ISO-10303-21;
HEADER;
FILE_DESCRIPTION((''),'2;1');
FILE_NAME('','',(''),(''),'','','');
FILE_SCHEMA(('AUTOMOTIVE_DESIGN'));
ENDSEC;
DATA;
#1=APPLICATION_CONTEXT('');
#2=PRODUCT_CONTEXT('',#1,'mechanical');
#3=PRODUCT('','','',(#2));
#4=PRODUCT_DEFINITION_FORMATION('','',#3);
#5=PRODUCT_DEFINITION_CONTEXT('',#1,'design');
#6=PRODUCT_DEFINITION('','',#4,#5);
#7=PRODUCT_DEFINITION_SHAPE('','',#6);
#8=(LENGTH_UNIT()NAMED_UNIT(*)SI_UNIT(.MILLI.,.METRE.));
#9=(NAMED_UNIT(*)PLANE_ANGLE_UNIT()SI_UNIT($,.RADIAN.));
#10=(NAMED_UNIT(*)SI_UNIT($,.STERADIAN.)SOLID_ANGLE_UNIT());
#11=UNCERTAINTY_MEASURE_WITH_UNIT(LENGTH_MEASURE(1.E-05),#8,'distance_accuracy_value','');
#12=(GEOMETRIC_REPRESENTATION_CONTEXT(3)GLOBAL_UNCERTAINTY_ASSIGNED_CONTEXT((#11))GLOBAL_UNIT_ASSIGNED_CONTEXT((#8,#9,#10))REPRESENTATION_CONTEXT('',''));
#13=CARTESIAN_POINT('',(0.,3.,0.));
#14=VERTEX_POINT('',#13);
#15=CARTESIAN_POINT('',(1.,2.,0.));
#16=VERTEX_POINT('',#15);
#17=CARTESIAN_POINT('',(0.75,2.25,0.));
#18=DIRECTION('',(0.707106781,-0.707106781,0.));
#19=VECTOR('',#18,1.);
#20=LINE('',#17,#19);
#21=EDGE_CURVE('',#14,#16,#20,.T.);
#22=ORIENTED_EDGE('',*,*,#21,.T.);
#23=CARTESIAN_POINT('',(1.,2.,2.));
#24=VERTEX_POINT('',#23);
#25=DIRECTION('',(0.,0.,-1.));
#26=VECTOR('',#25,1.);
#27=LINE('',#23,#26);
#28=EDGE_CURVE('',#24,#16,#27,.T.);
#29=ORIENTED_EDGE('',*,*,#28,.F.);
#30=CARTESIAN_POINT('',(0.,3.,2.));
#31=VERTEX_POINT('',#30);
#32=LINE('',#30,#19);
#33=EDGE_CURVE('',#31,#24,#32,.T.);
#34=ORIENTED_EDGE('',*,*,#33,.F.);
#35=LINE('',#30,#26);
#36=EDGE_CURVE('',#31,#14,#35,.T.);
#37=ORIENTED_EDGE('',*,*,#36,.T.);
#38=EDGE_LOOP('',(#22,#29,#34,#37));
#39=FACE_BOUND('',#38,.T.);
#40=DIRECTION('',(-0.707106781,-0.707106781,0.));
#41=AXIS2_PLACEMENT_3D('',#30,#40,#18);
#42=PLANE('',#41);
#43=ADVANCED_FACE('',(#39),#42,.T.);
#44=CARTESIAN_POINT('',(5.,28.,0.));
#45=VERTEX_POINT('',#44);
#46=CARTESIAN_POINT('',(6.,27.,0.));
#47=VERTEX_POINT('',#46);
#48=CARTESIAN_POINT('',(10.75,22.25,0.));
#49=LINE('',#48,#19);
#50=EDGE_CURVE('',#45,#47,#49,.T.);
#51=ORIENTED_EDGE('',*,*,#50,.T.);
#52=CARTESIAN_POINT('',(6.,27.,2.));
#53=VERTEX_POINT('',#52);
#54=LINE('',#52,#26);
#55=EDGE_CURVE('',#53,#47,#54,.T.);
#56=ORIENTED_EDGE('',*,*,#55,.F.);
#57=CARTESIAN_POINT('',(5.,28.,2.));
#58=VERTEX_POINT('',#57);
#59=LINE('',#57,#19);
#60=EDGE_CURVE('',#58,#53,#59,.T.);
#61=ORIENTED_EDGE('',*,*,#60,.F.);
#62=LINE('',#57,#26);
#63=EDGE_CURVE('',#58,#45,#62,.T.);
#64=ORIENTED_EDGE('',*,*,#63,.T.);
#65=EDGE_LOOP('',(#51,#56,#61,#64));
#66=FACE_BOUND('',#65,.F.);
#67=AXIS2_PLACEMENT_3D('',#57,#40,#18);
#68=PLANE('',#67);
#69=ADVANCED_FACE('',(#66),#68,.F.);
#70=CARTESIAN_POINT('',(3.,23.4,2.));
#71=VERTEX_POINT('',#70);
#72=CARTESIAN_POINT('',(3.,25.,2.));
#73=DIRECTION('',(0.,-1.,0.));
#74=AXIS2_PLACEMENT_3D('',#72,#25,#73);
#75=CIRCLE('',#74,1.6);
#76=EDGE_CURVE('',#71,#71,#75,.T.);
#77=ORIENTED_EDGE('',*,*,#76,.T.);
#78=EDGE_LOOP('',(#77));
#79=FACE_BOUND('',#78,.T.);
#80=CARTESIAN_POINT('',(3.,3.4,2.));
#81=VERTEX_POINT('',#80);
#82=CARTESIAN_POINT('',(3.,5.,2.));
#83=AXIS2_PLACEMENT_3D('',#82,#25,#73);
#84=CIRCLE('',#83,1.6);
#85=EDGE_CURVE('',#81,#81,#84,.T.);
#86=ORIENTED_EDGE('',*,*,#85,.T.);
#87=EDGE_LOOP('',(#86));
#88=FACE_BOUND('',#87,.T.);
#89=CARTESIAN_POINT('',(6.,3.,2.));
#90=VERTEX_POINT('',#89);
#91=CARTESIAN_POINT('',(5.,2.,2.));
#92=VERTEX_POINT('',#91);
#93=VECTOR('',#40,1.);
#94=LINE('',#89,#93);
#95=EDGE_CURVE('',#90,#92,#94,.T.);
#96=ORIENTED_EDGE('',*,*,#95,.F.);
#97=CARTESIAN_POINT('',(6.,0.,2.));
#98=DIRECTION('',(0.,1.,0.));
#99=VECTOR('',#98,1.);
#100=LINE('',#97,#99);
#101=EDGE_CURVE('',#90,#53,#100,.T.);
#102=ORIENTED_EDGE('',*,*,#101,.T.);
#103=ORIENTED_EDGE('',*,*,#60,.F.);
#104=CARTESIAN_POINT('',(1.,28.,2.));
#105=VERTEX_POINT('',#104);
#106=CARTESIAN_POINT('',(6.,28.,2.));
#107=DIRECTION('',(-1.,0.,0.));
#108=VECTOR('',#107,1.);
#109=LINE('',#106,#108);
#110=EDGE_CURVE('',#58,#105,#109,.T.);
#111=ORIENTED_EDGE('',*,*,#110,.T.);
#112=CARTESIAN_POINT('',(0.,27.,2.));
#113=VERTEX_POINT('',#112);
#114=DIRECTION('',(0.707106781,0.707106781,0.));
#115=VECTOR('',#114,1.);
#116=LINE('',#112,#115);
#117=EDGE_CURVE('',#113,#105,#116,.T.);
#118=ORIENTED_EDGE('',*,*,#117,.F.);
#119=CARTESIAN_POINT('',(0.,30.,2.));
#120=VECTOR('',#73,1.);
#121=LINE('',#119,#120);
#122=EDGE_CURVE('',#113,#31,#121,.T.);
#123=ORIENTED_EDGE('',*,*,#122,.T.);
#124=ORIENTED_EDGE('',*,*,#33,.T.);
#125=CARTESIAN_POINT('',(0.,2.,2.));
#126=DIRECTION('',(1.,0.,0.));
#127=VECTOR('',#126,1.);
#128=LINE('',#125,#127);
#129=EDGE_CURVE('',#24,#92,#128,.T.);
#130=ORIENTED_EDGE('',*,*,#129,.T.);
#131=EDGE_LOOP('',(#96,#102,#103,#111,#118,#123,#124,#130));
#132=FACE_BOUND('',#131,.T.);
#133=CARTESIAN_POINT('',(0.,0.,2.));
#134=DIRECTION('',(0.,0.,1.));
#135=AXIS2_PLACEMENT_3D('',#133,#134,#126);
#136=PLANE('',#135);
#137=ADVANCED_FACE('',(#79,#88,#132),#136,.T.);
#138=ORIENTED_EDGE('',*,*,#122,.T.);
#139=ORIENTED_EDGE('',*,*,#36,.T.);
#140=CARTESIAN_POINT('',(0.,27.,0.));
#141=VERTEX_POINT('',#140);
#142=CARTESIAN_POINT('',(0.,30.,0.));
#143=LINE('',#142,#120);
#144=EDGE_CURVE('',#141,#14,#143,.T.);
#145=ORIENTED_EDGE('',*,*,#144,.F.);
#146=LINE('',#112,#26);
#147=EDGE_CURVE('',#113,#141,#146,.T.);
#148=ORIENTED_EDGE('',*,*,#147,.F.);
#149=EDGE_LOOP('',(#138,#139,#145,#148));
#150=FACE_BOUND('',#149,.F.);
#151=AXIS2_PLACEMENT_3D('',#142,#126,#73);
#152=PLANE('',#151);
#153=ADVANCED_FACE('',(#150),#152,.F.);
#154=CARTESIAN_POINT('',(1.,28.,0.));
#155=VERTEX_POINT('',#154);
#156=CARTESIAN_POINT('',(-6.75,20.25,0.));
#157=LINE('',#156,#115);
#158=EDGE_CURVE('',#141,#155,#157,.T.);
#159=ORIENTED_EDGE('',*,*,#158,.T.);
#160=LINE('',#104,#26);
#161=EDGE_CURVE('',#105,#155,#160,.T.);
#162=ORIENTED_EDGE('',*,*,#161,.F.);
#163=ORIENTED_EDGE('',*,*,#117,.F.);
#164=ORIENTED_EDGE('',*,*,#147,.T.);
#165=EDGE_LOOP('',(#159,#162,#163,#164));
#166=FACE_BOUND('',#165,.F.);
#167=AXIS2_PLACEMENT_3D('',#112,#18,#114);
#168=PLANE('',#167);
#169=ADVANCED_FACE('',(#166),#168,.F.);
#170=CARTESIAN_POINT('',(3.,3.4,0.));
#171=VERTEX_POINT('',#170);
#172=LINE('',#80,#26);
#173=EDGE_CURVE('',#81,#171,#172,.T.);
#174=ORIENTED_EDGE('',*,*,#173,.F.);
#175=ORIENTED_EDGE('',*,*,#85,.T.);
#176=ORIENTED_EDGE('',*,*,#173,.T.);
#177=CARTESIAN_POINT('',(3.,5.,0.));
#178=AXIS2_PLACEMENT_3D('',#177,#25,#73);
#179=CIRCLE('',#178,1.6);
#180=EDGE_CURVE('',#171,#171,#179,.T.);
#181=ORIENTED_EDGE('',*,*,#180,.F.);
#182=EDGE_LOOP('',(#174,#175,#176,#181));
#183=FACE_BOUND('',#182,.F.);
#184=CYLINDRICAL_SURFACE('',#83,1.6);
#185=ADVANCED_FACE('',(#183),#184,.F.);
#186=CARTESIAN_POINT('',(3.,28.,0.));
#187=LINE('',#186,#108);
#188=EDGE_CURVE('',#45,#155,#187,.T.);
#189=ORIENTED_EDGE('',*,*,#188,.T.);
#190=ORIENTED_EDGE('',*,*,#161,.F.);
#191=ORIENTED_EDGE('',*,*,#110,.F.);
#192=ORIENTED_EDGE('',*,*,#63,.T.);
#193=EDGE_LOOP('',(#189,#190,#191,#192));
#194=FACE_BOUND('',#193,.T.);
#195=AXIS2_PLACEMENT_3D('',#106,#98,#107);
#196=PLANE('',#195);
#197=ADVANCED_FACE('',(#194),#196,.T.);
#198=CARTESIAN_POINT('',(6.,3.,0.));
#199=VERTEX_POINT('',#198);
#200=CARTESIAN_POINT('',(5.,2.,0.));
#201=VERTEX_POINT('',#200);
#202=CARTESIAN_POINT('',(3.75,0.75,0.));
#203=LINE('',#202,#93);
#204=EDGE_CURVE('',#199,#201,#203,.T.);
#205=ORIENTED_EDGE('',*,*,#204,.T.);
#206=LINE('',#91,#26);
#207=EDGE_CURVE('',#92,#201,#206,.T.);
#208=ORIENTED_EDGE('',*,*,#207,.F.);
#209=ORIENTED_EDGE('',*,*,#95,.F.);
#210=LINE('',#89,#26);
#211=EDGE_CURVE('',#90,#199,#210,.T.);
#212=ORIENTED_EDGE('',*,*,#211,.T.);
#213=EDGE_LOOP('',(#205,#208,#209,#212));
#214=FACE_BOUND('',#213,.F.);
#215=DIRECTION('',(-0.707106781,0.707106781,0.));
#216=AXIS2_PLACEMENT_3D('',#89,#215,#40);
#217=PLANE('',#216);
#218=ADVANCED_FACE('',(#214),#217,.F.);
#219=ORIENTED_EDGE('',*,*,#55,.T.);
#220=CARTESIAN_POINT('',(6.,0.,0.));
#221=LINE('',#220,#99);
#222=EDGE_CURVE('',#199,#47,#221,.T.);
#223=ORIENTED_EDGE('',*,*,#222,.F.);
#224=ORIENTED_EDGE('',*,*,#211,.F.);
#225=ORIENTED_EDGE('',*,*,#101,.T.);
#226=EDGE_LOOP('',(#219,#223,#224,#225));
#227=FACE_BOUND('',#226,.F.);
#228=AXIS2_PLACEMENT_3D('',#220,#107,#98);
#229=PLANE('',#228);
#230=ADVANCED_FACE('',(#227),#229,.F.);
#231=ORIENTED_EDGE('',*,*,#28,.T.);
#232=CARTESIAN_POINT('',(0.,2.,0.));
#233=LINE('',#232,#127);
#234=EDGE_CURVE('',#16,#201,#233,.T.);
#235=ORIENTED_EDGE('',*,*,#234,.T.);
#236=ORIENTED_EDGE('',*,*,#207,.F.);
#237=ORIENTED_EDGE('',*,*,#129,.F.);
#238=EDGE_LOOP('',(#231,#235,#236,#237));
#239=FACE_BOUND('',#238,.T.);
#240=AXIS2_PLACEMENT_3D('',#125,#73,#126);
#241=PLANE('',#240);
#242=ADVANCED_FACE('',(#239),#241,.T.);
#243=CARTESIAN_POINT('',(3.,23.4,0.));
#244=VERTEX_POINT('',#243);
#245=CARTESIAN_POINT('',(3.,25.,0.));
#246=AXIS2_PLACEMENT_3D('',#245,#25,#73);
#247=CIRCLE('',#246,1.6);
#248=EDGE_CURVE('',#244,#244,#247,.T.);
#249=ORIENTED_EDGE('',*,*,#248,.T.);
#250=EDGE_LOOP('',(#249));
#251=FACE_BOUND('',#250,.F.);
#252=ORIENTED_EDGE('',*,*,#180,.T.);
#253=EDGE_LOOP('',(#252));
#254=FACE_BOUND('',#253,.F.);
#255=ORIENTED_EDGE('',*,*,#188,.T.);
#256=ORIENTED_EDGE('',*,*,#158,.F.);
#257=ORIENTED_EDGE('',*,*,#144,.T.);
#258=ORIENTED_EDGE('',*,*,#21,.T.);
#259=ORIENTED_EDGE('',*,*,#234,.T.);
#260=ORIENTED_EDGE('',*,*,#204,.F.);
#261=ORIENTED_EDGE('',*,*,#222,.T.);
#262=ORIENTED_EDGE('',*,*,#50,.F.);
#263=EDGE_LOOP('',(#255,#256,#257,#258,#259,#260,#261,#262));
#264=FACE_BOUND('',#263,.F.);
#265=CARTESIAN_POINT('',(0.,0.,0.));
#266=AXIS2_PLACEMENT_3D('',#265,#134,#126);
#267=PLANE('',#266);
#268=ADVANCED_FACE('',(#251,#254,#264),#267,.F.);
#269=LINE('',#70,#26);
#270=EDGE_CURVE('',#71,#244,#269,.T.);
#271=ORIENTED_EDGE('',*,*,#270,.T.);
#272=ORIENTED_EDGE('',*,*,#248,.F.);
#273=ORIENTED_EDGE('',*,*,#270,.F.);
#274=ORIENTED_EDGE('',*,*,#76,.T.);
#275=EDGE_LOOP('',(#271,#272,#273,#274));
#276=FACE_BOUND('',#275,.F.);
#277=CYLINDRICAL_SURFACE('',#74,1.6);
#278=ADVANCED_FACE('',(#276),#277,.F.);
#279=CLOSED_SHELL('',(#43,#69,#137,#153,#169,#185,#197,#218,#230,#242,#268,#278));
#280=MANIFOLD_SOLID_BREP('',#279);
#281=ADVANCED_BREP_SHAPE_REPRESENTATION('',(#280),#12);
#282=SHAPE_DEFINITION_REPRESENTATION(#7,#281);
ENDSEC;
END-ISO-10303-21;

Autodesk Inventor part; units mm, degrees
ref_plane "YZ Plane" through (0, 0, 0) normal (1, 0, 0) x (0, 1, 0)
ref_plane "XZ Plane" through (0, 0, 0) normal (0, 1, 0) x (-1, 0, 0)
ref_plane "XY Plane" through (0, 0, 0) normal (0, 0, 1) x (1, 0, 0)
sketch "スケッチ1" plane through (0, 0, 0) normal (0, 0, 1) x (1, 0, 0)
  line L0 (0, 0) -> (6, 0)
  line L1 (6, 0) -> (6, 30)
  line L2 (6, 30) -> (0, 30)
  line L3 (0, 30) -> (0, 0)
  dimension "d0" = 6
  dimension "d1" = 30
extrude "押し出し1" add sketch "スケッチ1" along normal blind 2
sketch "スケッチ2" plane through (0, 0, 2) normal (0, 0, 1) x (1, 0, 0)
  line L0 (6, 30) -> (0, 30) projected
  line L1 (6, 0) -> (6, 30) projected
  line L2 (0, 0) -> (6, 0) projected
  point P0 (3, 25)
  point P1 (3, 5)
  dimension "d4" = 5
  dimension "d5" = 3
  dimension "d6" = 3
  dimension "d7" = 5
hole "穴1" at (3, 25, 2) at (3, 5, 2) direction (0, 0, -1) diameter 3.2 end through all
sketch "スケッチ4" plane through (0, 0, 2) normal (0, 0, 1) x (1, 0, 0)
  line L0 (6, 30) -> (0, 30) projected
  line L1 (6, 0) -> (6, 30) projected
  line L2 (0, 30) -> (6, 30)
  line L3 (6, 30) -> (6, 28)
  line L4 (6, 28) -> (0, 28)
  line L5 (0, 28) -> (0, 30)
  line L6 (0, 30) -> (0, 0) projected
  line L7 (0, 2) -> (6, 2)
  line L8 (6, 2) -> (6, 0)
  line L9 (6, 0) -> (0, 0)
  line L10 (0, 0) -> (0, 2)
  dimension "d18" = 2
  dimension "d19" = 2
extrude "押し出し2" cut sketch "スケッチ4" against normal blind 10 contours L1 L4 L5 L0 | L1 L9 L6 L7
sketch "スケッチ5" plane through (0, 0, 2) normal (0, 0, 1) x (1, 0, 0)
  line L0 (0, 28) -> (0, 2) projected
  line L1 (0, 27) -> (1, 28)
  line L2 (0, 28) -> (6, 28) projected
  line L3 (5, 28) -> (6, 27)
  line L4 (6, 2) -> (6, 28) projected
  point P0 (0, 0)
  dimension "d22" = 1
  dimension "d23" = 1
  dimension "d24" = 1
  dimension "d25" = 1
sketch "スケッチ6" plane through (0, 0, 2) normal (0, 0, 1) x (1, 0, 0)
  line L0 (0, 28) -> (0, 2) projected
  line L1 (0, 3) -> (1, 2)
  line L2 (6, 2) -> (0, 2) projected
  line L3 (6, 2) -> (6, 28) projected
  line L4 (6, 3) -> (5, 2)
  point P0 (0, 0)
  dimension "d26" = 1
  dimension "d27" = 1
  dimension "d28" = 1
  dimension "d29" = 1
extrude "押し出し3" cut sketch "スケッチ6" against normal blind 10
extrude "押し出し4" cut sketch "スケッチ5" against normal blind 10
properties part number "リンク26×6×2"
